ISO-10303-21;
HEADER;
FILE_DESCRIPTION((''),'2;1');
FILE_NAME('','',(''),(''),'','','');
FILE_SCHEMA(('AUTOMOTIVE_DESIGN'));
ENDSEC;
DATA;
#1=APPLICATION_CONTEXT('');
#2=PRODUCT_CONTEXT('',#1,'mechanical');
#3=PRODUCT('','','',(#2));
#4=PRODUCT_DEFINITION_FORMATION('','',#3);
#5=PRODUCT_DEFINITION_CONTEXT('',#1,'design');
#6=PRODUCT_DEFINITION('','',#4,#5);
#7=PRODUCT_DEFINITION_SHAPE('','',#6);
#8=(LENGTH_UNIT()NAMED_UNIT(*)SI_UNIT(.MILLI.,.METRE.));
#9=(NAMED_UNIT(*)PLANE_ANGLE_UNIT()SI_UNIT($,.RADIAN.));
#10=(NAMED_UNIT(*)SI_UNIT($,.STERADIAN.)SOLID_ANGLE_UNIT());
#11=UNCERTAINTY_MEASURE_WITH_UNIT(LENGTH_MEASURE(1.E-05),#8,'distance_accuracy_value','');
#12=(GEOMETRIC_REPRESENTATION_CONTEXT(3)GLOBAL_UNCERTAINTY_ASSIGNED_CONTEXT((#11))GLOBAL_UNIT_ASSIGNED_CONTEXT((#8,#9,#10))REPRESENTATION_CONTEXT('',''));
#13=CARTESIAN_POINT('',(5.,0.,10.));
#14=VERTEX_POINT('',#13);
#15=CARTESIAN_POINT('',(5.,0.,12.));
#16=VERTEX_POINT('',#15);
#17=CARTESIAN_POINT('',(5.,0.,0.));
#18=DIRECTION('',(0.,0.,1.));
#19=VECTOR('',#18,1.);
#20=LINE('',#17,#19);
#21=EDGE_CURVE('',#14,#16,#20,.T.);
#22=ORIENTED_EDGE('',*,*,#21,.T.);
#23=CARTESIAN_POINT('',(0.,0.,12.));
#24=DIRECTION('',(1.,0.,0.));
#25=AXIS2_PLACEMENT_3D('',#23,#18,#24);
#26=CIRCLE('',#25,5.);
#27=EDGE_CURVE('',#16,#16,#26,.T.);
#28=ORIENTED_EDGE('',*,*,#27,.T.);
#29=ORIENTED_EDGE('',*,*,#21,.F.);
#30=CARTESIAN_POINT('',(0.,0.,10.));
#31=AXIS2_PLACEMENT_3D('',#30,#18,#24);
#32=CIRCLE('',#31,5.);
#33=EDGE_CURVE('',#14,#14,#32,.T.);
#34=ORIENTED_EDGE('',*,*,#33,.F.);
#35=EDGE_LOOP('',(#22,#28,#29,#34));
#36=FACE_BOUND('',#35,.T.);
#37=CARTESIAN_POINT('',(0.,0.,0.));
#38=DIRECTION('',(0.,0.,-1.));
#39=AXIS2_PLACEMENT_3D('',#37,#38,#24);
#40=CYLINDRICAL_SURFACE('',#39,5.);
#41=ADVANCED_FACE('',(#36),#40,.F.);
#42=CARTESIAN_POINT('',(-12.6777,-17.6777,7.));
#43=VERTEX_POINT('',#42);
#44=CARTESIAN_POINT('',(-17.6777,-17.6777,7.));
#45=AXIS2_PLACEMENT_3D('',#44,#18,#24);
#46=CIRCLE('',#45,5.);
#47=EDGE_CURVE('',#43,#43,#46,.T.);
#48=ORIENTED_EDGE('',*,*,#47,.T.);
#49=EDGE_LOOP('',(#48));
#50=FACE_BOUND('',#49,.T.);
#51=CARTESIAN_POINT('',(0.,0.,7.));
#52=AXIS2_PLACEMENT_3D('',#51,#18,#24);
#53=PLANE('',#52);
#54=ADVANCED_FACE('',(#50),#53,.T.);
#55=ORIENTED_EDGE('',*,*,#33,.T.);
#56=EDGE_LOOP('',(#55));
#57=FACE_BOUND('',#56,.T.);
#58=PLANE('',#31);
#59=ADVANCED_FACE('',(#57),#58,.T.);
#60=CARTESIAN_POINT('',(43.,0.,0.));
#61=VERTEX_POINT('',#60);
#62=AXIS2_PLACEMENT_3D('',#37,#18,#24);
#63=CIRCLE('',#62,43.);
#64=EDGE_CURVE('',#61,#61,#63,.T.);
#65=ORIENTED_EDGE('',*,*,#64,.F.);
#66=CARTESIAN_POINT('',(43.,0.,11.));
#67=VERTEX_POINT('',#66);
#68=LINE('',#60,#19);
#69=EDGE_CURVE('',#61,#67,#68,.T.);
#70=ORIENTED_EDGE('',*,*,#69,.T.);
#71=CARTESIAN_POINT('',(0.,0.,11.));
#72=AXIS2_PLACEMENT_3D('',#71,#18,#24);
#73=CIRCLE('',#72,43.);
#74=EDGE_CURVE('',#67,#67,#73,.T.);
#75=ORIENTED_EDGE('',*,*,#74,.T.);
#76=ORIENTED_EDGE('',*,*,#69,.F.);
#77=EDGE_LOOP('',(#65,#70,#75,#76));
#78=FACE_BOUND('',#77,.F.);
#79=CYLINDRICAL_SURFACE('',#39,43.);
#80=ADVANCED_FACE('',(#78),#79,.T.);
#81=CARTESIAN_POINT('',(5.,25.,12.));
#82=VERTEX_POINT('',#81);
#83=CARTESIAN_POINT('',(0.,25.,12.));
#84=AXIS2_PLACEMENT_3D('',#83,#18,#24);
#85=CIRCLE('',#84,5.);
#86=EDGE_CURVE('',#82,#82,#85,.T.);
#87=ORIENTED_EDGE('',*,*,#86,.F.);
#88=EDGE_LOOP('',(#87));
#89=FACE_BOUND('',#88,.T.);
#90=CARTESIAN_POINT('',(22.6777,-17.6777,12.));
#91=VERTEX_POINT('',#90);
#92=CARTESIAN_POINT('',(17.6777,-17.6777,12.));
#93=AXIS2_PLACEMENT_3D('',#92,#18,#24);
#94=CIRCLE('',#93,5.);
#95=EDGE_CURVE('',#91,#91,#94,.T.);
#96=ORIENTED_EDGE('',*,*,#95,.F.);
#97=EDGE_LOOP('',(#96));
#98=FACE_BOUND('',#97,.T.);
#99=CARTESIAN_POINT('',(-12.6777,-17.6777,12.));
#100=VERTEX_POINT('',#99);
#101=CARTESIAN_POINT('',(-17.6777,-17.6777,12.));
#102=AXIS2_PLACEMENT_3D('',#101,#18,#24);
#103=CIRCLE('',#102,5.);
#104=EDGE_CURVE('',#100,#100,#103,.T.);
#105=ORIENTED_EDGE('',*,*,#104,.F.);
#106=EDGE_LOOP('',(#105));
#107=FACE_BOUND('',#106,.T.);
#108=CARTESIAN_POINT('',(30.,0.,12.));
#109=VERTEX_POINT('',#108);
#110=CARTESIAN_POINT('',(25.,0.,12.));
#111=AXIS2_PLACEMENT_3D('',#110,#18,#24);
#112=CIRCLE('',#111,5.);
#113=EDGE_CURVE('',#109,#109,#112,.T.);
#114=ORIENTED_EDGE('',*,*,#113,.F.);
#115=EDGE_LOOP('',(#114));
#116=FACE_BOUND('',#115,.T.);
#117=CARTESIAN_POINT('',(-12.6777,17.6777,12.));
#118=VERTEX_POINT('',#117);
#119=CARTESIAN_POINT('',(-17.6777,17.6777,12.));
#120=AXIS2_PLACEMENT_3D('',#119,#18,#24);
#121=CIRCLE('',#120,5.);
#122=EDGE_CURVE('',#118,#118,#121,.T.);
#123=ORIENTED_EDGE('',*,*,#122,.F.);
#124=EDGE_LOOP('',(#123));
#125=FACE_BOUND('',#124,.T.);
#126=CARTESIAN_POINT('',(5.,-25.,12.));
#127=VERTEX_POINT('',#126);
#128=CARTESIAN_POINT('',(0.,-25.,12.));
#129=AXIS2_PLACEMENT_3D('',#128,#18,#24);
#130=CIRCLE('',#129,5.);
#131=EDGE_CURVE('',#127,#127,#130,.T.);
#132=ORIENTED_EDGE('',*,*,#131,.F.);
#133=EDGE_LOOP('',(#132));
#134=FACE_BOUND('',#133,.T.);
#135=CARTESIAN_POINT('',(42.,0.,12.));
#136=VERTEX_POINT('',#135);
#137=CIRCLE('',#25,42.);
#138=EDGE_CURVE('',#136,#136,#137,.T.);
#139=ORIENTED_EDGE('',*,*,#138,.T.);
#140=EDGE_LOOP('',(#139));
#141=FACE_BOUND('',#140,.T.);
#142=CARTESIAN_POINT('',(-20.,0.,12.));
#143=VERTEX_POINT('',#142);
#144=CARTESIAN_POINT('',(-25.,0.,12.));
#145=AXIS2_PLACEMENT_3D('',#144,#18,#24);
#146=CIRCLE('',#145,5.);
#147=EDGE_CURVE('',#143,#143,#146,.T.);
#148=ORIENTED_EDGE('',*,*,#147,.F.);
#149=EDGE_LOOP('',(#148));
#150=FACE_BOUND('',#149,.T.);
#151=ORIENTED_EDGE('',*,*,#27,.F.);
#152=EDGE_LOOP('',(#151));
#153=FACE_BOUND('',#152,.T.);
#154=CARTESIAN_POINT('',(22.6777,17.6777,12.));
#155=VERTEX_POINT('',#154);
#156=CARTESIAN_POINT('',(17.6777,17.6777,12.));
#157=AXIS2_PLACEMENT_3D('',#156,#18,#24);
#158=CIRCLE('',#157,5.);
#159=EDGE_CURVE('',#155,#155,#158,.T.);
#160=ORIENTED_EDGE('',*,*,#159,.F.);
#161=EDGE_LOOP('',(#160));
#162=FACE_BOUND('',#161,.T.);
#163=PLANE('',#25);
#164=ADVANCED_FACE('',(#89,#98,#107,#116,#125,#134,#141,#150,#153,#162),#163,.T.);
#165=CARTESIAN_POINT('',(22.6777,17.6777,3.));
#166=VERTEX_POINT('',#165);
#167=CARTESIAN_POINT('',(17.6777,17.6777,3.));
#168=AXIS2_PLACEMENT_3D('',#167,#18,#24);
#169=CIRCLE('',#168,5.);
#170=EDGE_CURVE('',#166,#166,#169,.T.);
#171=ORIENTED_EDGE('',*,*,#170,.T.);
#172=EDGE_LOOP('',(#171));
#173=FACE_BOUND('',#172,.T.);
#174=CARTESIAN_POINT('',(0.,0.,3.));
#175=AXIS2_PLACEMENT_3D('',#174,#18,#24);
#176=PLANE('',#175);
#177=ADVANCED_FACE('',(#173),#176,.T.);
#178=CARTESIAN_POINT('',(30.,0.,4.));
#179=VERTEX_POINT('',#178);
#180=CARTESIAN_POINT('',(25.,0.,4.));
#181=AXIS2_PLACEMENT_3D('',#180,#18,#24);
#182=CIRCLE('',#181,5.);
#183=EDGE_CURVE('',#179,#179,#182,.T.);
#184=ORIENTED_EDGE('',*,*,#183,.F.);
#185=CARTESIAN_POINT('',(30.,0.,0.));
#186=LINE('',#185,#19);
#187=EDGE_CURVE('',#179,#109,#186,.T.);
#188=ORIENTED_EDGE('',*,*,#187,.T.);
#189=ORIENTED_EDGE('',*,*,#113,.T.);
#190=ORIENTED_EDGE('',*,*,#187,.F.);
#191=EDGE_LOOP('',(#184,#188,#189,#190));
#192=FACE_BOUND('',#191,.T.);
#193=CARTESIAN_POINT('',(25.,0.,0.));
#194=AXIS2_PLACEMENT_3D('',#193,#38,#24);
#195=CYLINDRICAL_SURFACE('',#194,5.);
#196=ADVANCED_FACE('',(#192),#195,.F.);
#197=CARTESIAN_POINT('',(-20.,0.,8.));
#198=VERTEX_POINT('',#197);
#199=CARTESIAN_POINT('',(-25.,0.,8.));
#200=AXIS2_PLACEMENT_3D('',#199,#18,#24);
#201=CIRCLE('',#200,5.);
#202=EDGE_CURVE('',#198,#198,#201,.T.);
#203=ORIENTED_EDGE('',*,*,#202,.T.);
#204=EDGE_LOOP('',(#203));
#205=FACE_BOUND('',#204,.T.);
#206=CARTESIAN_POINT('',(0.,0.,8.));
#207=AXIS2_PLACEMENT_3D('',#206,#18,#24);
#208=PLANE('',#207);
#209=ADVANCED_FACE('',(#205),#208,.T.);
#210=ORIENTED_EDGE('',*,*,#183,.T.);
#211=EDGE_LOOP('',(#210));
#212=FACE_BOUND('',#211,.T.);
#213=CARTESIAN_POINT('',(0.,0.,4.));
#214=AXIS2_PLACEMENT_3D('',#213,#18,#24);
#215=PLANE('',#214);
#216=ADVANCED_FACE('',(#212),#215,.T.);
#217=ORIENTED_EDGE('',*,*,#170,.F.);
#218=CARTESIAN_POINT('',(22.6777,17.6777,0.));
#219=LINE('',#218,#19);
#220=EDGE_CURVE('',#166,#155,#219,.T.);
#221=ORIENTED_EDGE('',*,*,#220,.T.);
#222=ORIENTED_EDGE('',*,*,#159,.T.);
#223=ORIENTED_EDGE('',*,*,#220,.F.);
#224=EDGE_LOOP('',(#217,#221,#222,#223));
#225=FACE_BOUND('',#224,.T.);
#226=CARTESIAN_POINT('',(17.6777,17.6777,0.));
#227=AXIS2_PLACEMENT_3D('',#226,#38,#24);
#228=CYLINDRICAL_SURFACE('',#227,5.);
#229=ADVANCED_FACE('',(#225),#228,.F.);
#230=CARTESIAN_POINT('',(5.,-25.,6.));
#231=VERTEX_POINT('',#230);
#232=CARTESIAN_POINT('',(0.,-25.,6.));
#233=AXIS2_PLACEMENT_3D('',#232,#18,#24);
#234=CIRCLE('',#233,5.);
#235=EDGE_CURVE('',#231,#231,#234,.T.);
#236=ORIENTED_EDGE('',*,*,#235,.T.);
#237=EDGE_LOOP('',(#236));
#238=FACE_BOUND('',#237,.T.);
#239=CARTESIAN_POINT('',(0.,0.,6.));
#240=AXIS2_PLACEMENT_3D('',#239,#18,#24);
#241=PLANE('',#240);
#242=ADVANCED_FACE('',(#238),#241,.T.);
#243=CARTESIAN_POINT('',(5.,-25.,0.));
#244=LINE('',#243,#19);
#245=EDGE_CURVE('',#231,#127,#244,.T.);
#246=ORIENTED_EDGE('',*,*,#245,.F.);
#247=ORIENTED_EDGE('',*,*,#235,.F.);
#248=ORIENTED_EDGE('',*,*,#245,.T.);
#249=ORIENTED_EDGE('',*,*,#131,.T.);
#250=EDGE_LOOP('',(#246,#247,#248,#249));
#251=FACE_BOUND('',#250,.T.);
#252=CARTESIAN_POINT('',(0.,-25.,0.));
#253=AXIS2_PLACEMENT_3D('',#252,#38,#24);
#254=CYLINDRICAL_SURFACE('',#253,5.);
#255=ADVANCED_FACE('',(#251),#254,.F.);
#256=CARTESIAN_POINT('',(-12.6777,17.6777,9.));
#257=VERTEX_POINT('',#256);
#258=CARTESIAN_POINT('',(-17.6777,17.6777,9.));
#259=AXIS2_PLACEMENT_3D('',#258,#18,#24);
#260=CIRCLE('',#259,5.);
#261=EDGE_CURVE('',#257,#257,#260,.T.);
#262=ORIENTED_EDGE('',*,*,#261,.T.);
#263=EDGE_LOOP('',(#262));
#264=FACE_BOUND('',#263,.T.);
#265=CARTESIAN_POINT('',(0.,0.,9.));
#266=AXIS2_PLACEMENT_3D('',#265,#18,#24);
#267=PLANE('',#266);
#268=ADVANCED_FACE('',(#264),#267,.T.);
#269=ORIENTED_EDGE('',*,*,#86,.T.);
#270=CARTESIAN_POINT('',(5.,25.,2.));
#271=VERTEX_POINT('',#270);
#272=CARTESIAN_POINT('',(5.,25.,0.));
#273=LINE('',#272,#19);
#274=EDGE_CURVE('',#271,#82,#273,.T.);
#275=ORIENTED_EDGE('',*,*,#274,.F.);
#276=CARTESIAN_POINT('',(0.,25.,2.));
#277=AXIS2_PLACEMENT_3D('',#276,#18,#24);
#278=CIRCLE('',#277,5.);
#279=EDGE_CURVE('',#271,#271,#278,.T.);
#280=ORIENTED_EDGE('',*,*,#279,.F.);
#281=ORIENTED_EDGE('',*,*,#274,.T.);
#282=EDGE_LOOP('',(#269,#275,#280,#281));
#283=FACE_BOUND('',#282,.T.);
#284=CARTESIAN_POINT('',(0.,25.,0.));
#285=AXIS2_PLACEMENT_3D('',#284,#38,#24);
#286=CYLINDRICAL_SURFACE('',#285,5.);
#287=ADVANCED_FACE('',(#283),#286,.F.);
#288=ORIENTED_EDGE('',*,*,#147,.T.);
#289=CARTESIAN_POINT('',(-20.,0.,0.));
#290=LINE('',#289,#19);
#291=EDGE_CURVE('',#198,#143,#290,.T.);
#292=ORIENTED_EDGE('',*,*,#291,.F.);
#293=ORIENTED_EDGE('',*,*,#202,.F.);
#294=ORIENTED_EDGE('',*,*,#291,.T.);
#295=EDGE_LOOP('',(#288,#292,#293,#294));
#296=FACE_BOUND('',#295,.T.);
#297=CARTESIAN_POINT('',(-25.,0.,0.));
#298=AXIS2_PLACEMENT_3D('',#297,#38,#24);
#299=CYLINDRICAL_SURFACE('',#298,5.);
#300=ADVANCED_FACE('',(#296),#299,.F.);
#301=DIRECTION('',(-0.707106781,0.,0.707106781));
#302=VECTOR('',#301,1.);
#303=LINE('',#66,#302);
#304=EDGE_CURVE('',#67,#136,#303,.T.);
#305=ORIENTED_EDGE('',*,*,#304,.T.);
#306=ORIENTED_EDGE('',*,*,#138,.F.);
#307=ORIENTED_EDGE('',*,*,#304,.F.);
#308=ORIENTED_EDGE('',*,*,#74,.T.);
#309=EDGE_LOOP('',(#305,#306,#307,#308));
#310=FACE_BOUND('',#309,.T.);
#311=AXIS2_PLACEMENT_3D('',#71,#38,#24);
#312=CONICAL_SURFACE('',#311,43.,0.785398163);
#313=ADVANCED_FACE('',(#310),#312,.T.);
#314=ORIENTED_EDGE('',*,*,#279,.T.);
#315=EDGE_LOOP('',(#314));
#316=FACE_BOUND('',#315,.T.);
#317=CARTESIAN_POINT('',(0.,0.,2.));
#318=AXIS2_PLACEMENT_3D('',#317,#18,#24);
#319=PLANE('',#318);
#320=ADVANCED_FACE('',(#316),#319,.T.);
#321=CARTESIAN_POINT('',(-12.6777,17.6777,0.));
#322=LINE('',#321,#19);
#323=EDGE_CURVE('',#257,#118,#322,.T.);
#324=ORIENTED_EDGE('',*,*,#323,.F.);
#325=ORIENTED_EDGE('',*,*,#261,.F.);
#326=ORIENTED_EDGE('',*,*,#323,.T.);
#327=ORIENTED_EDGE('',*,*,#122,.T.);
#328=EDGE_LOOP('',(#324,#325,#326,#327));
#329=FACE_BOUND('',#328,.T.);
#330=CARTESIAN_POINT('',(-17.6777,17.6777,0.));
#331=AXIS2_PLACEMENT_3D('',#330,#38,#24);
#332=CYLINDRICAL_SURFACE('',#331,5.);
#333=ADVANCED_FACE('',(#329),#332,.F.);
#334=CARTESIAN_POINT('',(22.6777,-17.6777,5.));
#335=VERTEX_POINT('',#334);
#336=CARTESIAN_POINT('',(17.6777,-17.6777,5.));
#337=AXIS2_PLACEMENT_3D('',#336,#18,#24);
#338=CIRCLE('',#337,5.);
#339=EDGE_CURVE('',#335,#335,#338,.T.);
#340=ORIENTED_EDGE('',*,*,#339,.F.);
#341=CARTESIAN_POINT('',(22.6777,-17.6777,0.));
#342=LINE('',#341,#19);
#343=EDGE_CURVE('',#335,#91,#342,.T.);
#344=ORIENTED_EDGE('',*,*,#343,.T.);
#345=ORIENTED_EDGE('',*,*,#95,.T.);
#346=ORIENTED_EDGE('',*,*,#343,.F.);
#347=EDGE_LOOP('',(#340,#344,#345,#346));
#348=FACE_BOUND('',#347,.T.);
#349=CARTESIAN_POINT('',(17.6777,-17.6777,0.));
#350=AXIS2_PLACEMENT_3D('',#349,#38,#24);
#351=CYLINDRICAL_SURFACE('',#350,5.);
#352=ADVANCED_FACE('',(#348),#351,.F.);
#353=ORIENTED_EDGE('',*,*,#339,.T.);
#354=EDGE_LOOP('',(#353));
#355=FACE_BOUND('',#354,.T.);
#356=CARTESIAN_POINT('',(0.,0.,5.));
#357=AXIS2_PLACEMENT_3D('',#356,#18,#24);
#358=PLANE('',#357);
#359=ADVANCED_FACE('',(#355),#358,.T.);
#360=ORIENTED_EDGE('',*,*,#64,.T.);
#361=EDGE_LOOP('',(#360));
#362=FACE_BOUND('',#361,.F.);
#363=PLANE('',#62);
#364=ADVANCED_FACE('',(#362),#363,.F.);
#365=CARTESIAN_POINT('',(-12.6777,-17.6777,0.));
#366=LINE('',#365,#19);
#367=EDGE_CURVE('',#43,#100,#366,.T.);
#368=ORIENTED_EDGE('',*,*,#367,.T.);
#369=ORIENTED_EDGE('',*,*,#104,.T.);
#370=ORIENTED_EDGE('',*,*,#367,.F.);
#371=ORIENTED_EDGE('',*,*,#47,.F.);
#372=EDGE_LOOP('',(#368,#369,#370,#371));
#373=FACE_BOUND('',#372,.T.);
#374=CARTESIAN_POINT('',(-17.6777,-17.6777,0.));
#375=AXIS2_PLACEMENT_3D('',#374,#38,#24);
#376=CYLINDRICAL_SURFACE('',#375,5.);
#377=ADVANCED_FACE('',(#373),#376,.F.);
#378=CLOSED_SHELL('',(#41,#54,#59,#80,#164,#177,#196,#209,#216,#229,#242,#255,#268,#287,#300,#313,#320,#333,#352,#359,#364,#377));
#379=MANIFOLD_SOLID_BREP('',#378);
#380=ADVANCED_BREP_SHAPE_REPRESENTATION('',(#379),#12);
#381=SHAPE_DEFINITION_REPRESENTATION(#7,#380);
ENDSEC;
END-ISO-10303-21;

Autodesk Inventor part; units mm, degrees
ref_plane "YZ Plane" through (0, 0, 0) normal (1, 0, 0) x (0, 1, 0)
ref_plane "XZ Plane" through (0, 0, 0) normal (0, 1, 0) x (-1, 0, 0)
ref_plane "XY Plane" through (0, 0, 0) normal (0, 0, 1) x (1, 0, 0)
sketch "Sketch1" plane through (0, 0, 0) normal (0, 0, 1) x (1, 0, 0)
  circle A0 centre (0, 0) radius 43
  circle A1 centre (0, 0) radius 5
  circle A2 centre (0, 25) radius 5
  circle A3 centre (-17.6777, 17.6777) radius 5
  circle A4 centre (-25, 0) radius 5
  circle A5 centre (-17.6777, -17.6777) radius 5
  circle A6 centre (0, -25) radius 5
  circle A7 centre (17.6777, -17.6777) radius 5
  circle A8 centre (25, 0) radius 5
  circle A9 centre (17.6777, 17.6777) radius 5
  dimension "diameter" = 10
  dimension "d2" = 10
  dimension "d5" = 360
  dimension "d7" = 25
  dimension "d28" = 86
extrude "Extrusion1" add sketch "Sketch1" along normal blind 12
extrude "Extrusion2" add sketch "Sketch1" along normal blind 2 contours A2
extrude "Extrusion3" add sketch "Sketch1" along normal blind 3 contours A9
extrude "Extrusion4" add sketch "Sketch1" along normal blind 4 contours A8
extrude "Extrusion5" add sketch "Sketch1" along normal blind 5 contours A7
extrude "Extrusion6" add sketch "Sketch1" along normal blind 6 contours A6
extrude "Extrusion7" add sketch "Sketch1" along normal blind 7 contours A5
extrude "Extrusion8" add sketch "Sketch1" along normal blind 8 contours A4
extrude "Extrusion9" add sketch "Sketch1" along normal blind 9 contours A3
extrude "Extrusion10" add sketch "Sketch1" along normal blind 10 contours A1
sketch "Sketch2" plane through (0, 0, 12) normal (0, 0, 1) x (1, 0, 0)
  line L0 (-5.8774, 39.105) -> (5.7366, 39.105) construction
  line L1 (5.7366, 39.105) -> (5.7366, 35.936) construction
  line L2 (5.7366, 35.936) -> (-5.8774, 35.936) construction
  line L3 (-5.8774, 35.936) -> (-5.8774, 39.105) construction
  point P0 (0, 0)
emboss "Emboss1" [suppressed]
chamfer "Chamfer1" distance 1 angle 45 1 edges at (-43, 0, 12)
equation "\"d2\" = diameter"
properties part number "Diameter_10mm"
